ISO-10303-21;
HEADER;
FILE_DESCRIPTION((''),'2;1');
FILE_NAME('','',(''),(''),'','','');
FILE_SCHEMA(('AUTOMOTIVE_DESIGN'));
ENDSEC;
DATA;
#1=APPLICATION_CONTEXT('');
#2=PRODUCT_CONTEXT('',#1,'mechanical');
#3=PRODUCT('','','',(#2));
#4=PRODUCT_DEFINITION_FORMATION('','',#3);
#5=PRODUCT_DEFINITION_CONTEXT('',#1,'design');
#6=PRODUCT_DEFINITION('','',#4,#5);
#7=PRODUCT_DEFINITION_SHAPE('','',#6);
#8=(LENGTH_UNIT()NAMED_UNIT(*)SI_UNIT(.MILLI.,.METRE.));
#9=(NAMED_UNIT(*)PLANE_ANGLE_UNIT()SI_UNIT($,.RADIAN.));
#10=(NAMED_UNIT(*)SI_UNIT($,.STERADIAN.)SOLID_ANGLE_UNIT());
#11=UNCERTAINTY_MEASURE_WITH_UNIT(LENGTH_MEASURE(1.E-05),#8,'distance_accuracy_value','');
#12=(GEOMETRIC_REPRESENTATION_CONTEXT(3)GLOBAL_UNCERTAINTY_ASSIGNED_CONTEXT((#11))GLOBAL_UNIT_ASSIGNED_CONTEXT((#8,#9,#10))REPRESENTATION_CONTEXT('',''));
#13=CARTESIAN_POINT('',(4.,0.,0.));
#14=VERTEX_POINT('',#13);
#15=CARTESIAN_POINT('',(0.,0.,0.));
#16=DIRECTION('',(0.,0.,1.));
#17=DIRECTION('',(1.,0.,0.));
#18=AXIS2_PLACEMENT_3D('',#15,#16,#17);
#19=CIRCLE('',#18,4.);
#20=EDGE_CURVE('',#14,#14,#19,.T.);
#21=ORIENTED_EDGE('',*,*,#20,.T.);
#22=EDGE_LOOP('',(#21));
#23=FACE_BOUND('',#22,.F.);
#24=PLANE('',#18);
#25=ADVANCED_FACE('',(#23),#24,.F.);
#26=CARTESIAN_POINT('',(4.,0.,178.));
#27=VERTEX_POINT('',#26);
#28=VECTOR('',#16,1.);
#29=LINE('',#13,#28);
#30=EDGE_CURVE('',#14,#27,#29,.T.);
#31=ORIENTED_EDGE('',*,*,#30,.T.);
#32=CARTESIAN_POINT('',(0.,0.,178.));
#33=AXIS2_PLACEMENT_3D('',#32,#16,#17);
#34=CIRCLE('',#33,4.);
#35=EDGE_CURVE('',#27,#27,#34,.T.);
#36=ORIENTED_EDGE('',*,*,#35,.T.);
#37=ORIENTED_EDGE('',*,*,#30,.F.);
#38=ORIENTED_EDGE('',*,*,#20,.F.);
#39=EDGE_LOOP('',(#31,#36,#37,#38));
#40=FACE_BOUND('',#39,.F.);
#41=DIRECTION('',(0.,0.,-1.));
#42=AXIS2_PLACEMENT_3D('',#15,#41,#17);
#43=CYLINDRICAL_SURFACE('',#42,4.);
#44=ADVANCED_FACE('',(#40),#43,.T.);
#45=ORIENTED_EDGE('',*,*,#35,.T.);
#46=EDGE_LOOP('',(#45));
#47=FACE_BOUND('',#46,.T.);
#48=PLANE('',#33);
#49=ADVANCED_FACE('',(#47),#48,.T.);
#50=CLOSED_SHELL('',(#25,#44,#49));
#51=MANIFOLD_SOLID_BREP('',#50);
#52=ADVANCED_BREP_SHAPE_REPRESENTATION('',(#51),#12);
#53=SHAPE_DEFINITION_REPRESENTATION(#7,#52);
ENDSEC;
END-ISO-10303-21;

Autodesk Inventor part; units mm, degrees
ref_plane "YZ Plane" through (0, 0, 0) normal (1, 0, 0) x (0, 1, 0)
ref_plane "XZ Plane" through (0, 0, 0) normal (0, 1, 0) x (-1, 0, 0)
ref_plane "XY Plane" through (0, 0, 0) normal (0, 0, 1) x (1, 0, 0)
sketch "Boceto1" plane through (0, 0, 0) normal (0, 0, 1) x (1, 0, 0)
  circle A0 centre (0, 0) radius 4
  dimension "d0" = 8
extrude "Extrusión1" add sketch "Boceto1" along normal blind 178
properties part number "Guía lateral" material "Acero inoxidable"
